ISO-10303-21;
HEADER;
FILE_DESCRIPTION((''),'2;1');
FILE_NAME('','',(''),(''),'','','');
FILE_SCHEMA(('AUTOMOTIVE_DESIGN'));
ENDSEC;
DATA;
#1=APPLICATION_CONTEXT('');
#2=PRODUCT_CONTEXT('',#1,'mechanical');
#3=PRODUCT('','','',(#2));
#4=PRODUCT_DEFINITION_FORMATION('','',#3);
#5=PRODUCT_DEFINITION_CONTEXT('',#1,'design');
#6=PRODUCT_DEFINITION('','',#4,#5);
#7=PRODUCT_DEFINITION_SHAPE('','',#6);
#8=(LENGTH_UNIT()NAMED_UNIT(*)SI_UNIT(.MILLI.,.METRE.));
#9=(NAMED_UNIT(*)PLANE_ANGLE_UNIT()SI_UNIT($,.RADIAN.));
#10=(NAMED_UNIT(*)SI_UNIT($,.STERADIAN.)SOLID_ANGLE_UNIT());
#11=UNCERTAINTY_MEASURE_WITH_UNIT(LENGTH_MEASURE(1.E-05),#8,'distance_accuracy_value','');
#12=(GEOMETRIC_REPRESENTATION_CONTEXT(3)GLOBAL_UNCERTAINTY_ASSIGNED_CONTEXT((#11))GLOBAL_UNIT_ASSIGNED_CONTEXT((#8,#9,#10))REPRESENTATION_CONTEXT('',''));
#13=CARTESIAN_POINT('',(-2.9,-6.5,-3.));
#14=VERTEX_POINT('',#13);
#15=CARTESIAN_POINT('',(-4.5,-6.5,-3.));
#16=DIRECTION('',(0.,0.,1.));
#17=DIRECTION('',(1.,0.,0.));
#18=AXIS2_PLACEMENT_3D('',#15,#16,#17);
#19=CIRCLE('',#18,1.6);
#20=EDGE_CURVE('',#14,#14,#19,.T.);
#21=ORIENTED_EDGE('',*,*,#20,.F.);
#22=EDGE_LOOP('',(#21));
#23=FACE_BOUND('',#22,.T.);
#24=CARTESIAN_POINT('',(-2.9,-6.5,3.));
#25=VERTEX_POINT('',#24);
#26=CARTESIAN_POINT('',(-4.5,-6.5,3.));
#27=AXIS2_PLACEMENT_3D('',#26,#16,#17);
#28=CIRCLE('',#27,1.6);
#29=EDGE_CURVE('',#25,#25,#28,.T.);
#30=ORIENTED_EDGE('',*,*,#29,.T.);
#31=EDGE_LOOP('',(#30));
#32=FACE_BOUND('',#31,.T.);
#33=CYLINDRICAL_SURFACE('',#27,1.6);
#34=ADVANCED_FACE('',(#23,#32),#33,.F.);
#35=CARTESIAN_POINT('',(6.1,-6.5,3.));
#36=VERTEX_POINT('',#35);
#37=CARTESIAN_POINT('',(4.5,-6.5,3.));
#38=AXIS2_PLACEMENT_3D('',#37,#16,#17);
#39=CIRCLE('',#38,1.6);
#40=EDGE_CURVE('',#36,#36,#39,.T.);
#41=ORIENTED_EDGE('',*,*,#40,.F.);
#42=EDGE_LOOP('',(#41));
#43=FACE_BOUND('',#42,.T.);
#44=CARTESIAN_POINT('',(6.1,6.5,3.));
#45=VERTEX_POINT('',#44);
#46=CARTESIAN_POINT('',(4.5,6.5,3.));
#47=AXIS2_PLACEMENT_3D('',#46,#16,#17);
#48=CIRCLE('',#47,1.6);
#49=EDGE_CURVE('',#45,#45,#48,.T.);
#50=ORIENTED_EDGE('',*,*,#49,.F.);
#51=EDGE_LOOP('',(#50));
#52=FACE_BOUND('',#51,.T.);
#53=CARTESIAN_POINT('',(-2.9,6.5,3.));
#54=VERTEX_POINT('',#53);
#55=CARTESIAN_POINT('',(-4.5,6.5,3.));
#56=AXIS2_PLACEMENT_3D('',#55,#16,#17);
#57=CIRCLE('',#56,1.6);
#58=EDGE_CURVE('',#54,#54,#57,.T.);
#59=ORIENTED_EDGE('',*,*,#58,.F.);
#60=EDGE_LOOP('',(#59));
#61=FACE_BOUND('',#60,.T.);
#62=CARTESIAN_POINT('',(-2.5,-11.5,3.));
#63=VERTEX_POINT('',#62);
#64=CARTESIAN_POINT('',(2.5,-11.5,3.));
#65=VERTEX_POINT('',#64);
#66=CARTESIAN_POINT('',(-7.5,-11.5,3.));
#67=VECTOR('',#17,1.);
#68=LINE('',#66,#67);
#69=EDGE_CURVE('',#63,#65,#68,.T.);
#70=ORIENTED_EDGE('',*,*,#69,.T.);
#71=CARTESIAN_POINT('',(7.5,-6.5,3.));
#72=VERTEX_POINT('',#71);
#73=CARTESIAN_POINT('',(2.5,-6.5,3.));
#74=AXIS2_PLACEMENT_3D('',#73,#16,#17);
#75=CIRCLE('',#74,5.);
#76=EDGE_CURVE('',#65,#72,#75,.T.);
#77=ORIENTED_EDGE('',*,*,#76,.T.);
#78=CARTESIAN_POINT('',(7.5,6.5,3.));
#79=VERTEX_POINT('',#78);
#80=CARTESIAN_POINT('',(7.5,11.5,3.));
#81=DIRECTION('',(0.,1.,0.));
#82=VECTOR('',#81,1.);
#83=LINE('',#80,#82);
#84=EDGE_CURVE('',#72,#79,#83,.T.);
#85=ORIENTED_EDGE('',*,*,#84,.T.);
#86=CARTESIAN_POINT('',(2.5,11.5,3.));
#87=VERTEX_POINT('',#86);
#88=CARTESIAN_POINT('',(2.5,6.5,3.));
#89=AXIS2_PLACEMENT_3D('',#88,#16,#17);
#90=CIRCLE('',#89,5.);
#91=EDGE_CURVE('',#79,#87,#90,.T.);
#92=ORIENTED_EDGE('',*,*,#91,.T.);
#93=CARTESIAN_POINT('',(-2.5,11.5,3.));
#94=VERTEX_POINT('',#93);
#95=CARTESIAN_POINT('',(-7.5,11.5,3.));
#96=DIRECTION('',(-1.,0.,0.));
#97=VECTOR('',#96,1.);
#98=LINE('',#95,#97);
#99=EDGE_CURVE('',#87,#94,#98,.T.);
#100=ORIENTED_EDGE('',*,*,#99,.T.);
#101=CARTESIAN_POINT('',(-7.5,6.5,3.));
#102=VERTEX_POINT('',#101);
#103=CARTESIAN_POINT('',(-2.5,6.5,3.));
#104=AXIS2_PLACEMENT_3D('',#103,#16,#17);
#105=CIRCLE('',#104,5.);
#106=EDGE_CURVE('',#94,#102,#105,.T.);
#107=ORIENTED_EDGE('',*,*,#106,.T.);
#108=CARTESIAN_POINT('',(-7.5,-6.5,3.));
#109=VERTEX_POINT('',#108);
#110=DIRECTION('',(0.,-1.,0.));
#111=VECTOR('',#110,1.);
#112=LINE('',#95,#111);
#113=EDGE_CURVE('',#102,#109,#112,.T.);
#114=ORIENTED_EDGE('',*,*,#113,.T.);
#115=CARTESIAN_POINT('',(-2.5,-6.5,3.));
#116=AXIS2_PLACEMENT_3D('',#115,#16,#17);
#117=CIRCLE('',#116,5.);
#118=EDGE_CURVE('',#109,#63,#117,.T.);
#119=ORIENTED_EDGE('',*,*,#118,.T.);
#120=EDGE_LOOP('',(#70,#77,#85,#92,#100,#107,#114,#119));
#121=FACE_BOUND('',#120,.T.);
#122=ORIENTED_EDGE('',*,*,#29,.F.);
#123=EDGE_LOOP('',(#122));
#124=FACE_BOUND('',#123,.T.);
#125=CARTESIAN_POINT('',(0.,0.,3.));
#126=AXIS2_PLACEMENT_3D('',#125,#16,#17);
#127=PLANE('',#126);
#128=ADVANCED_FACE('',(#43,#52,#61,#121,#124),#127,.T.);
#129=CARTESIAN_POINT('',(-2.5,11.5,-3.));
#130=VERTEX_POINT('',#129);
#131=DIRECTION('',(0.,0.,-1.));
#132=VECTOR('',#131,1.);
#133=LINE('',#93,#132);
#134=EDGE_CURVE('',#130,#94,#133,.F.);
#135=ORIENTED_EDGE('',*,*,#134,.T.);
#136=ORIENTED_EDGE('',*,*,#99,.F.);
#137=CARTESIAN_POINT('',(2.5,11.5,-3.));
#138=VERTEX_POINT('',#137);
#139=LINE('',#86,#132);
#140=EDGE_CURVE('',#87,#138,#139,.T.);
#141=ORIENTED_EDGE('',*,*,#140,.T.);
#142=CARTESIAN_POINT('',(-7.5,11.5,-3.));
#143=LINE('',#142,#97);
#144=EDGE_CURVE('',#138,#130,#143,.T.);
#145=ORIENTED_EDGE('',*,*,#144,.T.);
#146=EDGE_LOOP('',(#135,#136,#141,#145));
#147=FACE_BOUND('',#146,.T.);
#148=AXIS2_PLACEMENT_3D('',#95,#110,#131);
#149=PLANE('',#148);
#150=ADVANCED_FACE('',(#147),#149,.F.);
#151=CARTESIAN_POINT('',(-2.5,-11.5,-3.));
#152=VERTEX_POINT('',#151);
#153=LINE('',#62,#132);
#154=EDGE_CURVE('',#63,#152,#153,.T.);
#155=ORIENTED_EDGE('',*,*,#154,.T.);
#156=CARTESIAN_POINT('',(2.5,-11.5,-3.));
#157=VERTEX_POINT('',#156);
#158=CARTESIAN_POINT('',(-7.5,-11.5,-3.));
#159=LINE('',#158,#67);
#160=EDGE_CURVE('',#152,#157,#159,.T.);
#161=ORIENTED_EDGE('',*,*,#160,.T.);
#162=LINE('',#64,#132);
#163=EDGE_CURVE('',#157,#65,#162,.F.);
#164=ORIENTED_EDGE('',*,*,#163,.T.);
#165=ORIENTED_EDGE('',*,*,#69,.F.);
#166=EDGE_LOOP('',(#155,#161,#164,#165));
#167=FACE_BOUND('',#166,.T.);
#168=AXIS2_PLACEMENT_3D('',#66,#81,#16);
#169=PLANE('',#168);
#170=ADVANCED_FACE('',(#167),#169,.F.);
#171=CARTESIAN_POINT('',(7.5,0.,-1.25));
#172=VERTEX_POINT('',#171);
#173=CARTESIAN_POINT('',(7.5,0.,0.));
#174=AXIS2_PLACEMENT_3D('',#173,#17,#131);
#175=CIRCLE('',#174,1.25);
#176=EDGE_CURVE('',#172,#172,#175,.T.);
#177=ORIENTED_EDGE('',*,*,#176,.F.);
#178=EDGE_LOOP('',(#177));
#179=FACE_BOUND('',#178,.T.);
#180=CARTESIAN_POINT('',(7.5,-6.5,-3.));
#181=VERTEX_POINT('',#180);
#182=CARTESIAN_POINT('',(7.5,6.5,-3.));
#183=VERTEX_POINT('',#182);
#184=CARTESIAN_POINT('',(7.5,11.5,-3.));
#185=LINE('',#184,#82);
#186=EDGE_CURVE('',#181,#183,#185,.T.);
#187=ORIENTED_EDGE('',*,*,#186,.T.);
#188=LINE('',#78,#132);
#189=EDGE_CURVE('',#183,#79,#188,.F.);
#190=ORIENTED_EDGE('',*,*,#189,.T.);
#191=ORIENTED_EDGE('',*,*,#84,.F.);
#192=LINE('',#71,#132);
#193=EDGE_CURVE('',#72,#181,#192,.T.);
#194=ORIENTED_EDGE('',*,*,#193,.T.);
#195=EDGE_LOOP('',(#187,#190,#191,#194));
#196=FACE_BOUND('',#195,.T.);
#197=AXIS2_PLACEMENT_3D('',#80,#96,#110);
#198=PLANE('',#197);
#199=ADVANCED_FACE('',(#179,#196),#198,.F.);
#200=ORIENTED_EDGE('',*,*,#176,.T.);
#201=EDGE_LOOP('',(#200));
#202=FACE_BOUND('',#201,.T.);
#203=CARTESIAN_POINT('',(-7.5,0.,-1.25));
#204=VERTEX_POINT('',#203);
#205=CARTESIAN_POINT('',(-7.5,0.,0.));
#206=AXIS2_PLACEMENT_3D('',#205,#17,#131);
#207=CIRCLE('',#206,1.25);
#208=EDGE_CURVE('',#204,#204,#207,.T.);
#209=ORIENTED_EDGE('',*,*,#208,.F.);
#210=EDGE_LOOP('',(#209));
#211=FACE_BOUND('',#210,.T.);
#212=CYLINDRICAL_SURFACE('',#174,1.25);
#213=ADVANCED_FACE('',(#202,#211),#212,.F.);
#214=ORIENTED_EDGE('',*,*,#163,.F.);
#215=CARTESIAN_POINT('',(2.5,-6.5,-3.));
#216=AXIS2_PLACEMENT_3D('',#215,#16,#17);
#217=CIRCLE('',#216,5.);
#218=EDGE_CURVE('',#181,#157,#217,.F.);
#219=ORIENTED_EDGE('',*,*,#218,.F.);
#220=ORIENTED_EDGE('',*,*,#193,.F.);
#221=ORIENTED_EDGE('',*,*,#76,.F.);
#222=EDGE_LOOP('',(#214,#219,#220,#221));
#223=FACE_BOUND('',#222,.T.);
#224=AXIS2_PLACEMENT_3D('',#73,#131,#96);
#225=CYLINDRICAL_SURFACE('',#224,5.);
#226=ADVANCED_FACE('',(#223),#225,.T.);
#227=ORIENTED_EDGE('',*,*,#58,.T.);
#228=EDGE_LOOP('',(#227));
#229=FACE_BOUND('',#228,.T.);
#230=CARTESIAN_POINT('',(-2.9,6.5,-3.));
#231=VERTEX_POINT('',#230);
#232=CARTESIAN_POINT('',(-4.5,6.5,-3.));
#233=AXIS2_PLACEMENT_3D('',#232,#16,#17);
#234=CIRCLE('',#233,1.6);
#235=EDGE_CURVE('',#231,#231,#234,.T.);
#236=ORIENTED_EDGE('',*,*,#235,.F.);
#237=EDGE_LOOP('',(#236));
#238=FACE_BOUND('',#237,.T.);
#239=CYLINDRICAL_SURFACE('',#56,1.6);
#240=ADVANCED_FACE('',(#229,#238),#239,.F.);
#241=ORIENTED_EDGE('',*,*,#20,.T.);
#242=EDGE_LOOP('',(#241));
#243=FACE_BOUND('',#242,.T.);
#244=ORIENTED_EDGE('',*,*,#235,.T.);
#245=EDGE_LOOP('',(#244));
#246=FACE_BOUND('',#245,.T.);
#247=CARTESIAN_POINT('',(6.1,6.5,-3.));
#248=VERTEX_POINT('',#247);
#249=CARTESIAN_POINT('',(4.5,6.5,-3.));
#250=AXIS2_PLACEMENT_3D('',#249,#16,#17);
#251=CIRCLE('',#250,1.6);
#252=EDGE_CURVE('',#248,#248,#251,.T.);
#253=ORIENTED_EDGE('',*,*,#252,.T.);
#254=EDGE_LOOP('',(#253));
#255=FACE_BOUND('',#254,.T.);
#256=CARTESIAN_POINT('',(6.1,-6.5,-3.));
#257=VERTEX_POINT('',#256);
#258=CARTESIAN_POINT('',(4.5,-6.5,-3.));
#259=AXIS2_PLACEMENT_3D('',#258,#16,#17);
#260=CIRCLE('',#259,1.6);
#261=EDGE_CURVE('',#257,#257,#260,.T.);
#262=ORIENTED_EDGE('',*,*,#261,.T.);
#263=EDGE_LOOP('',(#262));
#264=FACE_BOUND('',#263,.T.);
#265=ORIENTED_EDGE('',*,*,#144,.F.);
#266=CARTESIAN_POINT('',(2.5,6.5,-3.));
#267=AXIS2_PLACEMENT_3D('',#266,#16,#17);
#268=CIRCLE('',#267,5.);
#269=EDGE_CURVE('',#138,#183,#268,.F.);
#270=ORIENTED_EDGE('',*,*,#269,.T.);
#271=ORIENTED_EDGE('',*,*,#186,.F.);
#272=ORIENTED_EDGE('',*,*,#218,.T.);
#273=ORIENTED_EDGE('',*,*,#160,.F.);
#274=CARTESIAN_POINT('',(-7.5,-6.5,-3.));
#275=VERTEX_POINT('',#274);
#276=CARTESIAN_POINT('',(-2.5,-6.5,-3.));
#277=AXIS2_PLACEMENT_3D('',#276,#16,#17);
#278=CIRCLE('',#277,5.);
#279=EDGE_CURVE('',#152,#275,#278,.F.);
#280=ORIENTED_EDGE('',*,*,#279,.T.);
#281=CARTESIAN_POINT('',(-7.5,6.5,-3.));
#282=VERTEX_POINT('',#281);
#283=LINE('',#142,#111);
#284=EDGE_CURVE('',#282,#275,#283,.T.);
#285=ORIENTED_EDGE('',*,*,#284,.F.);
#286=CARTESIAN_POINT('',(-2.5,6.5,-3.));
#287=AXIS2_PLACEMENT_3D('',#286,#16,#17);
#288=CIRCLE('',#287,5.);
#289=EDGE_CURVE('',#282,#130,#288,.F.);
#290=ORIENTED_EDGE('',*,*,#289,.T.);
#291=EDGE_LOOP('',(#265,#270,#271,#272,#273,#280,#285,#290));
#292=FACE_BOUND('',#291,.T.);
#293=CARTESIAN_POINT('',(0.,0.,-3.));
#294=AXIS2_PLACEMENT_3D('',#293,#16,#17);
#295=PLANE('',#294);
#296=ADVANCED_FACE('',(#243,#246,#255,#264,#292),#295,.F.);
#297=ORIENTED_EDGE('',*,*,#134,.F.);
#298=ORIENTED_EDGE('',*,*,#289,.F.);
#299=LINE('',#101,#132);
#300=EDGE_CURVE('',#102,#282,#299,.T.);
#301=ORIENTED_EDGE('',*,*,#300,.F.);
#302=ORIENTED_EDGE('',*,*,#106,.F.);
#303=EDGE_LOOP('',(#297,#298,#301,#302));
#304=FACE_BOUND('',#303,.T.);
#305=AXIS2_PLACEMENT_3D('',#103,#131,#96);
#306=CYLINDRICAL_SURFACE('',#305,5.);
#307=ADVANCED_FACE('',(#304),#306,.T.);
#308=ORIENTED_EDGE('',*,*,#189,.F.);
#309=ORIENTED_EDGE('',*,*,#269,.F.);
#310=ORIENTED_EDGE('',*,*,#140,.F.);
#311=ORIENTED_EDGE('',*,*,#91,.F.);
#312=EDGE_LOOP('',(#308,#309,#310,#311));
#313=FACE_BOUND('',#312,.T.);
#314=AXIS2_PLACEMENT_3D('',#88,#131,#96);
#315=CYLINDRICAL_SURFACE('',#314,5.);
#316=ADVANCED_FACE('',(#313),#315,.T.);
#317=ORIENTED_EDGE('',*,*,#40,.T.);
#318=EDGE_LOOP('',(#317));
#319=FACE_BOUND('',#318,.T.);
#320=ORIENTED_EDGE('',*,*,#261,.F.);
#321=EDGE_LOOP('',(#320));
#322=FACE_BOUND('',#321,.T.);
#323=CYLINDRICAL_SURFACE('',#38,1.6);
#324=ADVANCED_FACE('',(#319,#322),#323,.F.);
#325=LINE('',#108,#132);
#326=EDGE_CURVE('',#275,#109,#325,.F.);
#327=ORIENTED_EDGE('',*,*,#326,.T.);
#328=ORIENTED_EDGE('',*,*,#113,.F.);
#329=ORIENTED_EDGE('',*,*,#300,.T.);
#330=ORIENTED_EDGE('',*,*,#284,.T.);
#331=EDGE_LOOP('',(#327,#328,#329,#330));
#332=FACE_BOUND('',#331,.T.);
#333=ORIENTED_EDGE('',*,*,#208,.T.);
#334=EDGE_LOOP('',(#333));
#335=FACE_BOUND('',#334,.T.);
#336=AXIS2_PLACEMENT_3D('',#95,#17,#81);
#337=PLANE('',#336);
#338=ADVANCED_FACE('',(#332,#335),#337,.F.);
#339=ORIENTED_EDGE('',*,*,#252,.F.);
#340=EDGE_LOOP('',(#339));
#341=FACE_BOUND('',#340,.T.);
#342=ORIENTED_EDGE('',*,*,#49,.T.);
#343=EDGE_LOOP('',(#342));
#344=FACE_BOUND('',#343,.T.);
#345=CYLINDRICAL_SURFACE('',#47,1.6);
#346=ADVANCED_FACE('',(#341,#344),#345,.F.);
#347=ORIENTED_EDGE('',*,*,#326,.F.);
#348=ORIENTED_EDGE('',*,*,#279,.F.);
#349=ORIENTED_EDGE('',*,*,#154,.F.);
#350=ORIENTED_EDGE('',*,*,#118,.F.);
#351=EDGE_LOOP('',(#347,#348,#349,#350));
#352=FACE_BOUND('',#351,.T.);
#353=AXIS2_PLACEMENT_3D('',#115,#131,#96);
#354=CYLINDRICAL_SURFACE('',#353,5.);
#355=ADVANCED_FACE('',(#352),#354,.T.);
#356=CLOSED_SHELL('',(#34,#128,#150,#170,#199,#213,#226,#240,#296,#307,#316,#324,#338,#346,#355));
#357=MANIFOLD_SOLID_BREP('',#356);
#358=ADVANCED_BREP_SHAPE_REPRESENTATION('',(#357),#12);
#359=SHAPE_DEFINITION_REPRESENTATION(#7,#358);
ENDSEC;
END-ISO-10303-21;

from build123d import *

# Parameters (mm, degrees)
SKETCH_1_W         = 15
SKETCH_1_H         = 23
EXTRUDE_1_DEPTH    = 3
FILLET_1_R         = 5
HOLE_WIZARD_M3_1_D = 3.2
M3X0_5_1_D         = 2.5


with BuildPart() as part:
    # ｽｹｯﾁ1 → ﾎﾞｽ - 押し出し1 (new, symmetric)
    with BuildSketch(Plane.XY):
        Rectangle(SKETCH_1_W, SKETCH_1_H)
    extrude(amount=EXTRUDE_1_DEPTH, both=True)

    # ﾌｨﾚｯﾄ1
    fillet_1_edges = [part.edges().sort_by_distance(p)[0] for p in [
        (7.5, -11.5, 0),
        (-7.5, -11.5, 0),
        (-7.5, 11.5, 0),
        (7.5, 11.5, 0),
    ]]
    fillet(fillet_1_edges, radius=FILLET_1_R)

    # M3 すきま穴1 (through all)
    with Locations(Plane(origin=(-4.5, 6.5, 3), x_dir=(1, 0, 0), z_dir=(0, 0, 1))):
        with Locations((0, 0), (9, 0), (9, -13), (0, -13)):
            Hole(HOLE_WIZARD_M3_1_D / 2)

    # M3x0.5 ねじ穴1 (through all)
    with Locations(Plane.YZ.offset(7.5)):
        with Locations((0, 0)):
            Hole(M3X0_5_1_D / 2)


solid = part.part
